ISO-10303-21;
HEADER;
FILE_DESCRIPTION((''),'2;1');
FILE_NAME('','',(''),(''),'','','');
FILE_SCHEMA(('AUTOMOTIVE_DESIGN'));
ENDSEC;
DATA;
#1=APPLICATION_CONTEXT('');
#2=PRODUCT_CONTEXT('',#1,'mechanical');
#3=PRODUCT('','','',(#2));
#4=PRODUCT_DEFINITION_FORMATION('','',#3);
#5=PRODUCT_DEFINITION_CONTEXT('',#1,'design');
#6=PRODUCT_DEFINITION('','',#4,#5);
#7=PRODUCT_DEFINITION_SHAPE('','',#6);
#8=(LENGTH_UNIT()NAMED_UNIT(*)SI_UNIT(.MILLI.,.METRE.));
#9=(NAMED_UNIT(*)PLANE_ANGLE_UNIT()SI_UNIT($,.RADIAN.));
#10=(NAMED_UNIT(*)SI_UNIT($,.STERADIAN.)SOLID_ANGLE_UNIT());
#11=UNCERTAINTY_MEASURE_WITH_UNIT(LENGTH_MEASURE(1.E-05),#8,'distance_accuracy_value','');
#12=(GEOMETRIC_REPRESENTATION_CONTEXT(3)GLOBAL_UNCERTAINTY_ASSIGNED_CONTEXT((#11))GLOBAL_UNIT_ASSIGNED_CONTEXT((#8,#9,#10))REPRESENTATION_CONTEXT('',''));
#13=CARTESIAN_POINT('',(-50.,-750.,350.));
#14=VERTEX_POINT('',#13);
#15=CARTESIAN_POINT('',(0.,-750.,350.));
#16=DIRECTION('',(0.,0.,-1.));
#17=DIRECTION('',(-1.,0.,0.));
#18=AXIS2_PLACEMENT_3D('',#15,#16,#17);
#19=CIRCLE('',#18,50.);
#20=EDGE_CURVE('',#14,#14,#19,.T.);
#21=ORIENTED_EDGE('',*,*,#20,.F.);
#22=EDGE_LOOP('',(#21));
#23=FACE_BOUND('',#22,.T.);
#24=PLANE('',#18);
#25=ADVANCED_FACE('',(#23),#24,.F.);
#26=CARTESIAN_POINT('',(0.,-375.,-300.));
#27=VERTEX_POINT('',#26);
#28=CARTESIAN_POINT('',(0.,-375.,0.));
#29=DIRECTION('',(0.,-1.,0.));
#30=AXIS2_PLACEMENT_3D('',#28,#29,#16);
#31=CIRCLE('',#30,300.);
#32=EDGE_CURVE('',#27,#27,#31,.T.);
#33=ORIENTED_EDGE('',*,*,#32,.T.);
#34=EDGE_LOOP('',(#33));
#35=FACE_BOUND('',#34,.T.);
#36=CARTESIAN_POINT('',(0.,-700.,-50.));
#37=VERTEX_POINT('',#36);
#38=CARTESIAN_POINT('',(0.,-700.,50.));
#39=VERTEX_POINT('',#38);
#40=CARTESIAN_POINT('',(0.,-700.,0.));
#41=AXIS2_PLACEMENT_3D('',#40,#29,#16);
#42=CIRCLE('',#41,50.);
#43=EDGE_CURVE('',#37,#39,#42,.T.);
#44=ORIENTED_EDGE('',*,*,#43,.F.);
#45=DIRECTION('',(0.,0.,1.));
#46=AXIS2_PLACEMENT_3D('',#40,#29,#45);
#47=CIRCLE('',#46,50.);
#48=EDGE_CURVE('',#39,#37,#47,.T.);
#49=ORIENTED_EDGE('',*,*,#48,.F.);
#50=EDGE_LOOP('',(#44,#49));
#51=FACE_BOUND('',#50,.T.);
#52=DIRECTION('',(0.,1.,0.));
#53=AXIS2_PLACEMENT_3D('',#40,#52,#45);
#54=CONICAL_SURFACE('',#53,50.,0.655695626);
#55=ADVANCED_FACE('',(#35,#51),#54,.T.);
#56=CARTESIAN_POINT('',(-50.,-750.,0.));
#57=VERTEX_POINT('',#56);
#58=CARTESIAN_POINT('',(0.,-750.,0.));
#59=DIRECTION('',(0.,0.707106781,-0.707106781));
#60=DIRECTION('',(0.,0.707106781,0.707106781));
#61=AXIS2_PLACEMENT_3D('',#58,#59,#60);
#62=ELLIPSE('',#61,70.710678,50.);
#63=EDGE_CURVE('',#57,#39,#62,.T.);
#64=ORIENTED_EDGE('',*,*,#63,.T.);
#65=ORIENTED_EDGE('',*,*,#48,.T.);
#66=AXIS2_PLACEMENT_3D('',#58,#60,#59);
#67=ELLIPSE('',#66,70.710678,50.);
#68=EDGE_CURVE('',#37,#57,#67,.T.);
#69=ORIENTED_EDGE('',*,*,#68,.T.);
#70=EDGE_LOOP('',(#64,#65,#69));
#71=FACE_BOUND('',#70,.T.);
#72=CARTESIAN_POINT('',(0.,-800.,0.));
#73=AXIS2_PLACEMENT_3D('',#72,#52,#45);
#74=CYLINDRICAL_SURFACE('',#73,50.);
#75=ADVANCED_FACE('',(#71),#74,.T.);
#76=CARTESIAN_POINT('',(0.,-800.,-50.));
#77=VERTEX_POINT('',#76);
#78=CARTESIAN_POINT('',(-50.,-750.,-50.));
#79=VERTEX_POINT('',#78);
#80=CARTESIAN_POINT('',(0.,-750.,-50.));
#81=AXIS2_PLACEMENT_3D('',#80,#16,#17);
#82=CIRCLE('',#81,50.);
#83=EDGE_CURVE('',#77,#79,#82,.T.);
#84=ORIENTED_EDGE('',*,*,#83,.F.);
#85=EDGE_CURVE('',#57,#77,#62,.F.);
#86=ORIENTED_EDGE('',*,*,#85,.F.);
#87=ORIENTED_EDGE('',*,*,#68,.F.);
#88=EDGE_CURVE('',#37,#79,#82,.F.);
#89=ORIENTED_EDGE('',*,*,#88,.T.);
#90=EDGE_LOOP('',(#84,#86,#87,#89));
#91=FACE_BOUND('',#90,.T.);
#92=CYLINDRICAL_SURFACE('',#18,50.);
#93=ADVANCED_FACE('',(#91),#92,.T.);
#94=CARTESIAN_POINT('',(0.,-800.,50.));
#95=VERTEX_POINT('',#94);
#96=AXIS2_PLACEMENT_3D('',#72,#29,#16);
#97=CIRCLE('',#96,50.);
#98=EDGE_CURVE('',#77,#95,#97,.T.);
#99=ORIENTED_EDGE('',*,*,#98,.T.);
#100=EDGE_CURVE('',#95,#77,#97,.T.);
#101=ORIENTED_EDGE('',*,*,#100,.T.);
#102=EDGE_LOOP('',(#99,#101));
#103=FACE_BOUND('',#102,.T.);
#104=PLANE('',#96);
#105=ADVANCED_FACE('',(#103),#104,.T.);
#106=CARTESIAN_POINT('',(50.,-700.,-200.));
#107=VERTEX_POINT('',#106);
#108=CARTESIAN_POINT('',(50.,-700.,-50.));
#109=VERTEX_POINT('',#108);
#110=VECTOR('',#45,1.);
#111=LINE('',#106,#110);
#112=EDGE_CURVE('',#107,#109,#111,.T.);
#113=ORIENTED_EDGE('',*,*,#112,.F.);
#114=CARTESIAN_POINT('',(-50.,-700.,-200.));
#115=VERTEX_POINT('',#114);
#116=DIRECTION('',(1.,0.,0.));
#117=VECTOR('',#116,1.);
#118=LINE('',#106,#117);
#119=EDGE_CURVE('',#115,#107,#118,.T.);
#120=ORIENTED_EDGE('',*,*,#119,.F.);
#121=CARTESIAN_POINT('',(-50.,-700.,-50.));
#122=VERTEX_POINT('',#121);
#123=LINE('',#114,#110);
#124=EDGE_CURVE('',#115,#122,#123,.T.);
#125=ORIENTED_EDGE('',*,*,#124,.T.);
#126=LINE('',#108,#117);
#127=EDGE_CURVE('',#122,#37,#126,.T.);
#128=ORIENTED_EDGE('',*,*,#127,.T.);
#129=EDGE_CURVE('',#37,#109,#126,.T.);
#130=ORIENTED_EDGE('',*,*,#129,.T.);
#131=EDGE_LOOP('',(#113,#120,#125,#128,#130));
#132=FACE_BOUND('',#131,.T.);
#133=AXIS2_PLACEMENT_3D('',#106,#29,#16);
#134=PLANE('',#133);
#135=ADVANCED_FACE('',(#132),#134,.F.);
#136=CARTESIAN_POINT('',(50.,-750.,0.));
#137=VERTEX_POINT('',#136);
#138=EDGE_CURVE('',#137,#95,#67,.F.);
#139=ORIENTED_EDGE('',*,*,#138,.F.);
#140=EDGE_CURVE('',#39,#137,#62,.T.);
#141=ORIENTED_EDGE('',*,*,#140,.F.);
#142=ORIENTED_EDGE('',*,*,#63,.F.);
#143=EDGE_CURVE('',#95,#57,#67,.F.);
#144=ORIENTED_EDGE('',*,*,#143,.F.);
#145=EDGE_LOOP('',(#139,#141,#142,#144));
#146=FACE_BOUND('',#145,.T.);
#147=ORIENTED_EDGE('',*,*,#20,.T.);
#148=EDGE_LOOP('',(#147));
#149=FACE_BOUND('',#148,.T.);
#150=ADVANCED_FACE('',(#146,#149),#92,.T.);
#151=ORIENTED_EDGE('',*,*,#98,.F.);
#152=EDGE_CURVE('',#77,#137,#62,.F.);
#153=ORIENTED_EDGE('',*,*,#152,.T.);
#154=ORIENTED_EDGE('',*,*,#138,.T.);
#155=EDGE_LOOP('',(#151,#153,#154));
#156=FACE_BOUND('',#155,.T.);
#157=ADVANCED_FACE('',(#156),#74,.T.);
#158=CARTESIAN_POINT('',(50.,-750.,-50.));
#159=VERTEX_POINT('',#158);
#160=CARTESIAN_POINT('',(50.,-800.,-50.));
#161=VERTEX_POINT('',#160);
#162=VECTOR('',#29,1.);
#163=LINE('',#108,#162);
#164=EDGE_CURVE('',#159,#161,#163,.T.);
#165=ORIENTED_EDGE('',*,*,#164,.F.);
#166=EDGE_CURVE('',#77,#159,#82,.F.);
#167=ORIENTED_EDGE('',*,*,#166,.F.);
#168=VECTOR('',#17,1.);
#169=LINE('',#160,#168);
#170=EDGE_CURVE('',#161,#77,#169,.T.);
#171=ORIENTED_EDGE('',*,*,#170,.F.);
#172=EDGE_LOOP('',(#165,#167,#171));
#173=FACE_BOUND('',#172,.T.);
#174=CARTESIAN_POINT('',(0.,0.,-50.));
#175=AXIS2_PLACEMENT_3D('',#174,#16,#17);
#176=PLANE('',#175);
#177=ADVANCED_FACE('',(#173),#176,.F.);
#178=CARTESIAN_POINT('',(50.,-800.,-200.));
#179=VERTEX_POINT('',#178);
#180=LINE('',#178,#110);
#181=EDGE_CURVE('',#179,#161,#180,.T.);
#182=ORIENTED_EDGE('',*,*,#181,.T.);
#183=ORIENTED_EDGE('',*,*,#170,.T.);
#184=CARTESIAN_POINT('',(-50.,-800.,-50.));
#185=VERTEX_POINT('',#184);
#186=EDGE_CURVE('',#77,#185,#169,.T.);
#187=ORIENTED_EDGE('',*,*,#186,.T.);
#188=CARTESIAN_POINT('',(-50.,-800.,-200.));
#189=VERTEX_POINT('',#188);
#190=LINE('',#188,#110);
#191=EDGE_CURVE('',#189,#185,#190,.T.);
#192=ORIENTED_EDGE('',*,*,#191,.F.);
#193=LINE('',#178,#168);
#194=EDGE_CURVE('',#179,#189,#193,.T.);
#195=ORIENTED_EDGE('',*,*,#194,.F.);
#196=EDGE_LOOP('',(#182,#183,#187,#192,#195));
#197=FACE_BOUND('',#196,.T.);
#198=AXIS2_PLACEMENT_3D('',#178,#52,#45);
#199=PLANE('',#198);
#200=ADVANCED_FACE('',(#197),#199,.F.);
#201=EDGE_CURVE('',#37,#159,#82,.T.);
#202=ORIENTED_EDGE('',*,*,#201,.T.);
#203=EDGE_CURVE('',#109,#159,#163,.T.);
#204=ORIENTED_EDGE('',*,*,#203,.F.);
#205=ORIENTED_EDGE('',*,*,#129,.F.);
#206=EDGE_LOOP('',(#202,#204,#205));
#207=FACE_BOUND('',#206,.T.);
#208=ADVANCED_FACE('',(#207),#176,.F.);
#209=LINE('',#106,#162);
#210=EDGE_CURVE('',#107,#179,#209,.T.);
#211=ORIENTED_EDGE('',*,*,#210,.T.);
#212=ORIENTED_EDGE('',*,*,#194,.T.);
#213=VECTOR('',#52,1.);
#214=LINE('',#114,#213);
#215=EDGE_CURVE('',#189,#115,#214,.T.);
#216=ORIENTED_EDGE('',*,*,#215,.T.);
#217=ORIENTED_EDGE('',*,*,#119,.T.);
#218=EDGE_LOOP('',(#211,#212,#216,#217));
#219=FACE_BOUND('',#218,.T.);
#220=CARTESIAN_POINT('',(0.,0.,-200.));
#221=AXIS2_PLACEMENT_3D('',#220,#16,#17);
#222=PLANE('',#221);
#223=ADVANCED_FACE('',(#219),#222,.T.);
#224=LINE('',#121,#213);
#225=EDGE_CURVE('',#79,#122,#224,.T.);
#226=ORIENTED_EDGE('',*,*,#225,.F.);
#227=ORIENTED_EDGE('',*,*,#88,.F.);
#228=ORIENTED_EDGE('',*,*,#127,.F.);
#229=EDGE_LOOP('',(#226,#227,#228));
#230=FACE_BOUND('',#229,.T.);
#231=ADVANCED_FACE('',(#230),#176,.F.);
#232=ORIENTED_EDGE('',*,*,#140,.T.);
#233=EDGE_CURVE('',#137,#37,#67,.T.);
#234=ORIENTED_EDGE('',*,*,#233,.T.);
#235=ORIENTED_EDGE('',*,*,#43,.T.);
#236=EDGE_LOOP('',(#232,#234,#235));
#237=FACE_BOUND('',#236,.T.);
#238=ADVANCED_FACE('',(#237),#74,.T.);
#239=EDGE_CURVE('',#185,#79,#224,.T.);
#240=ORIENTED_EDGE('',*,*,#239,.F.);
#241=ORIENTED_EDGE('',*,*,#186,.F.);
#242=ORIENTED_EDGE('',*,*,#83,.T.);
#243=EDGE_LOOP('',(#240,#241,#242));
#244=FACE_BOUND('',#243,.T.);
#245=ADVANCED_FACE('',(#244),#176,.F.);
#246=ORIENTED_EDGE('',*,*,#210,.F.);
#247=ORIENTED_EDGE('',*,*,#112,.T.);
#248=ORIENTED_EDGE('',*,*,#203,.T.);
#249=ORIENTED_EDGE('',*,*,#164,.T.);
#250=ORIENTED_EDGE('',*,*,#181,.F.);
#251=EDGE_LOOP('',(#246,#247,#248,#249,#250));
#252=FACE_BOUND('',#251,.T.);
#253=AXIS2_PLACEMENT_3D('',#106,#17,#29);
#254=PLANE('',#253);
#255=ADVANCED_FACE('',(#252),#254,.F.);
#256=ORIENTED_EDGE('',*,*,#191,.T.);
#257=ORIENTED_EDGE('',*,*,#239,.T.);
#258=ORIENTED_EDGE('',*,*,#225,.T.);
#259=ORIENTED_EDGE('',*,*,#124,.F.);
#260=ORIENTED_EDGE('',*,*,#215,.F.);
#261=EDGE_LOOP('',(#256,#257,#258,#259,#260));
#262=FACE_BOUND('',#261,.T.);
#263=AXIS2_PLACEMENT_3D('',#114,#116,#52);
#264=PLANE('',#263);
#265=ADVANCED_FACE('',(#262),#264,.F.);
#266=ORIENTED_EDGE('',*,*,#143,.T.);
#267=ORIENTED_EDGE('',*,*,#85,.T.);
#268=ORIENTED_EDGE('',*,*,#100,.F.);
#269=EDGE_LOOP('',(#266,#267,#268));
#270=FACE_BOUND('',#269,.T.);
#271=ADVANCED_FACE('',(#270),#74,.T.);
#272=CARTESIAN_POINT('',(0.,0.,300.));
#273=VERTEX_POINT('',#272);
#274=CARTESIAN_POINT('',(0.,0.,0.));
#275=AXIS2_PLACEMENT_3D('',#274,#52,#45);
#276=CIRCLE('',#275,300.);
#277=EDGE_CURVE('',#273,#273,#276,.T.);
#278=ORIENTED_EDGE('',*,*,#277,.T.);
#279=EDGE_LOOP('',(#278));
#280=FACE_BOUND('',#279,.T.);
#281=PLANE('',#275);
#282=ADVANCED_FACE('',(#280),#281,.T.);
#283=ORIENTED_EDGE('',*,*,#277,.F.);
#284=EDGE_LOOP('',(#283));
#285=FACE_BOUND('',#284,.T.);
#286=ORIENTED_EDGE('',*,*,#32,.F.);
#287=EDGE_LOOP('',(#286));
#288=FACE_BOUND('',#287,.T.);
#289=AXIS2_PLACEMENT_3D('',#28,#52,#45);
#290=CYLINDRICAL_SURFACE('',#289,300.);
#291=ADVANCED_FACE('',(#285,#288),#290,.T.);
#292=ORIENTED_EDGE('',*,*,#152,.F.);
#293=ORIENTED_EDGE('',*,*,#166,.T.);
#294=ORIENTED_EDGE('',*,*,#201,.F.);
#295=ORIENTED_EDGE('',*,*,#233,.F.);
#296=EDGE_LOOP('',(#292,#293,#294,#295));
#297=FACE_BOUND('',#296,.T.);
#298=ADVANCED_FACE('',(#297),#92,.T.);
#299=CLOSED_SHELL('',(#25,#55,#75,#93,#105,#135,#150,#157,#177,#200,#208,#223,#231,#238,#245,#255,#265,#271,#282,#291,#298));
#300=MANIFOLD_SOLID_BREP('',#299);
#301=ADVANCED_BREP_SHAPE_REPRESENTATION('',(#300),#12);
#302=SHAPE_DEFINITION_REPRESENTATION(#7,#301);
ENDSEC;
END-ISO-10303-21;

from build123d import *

# Parameters (mm, degrees)
CROQUIS1_R              = 300
SALIENTE_EXTRUIR1_DEPTH = 375
CROQUIS3_R              = 50
CROQUIS2_R              = 300
CROQUIS4_R              = 50
SALIENTE_EXTRUIR2_DEPTH = 100
CROQUIS5_R              = 50
SALIENTE_EXTRUIR3_DEPTH = 400
CROQUIS6_W              = 100
CROQUIS6_H              = 100
SALIENTE_EXTRUIR4_DEPTH = 150


with BuildPart() as part:
    # Croquis1 → Saliente-Extruir1 (new body)
    with BuildSketch(Plane(origin=(0, 0, 0), x_dir=(1, 0, 0), z_dir=(0, 1, 0))):
        with Locations(Location((0, 0, 0), (0, 0, 270))):
            Circle(CROQUIS1_R)
    extrude(amount=-SALIENTE_EXTRUIR1_DEPTH)

    # Croquis3 → Recubrir1 section 0
    with BuildSketch(Plane(origin=(0, -700, 0), x_dir=(1, 0, 0), z_dir=(0, 1, 0))):
        Circle(CROQUIS3_R)
    # Croquis2 → Recubrir1 section 1
    with BuildSketch(Plane.XZ.offset(375)):
        Circle(CROQUIS2_R)
    loft()

    # Croquis4 → Saliente-Extruir2 (add)
    with BuildSketch(Plane.XZ.offset(700)):
        with Locations(Location((0, 0, 0), (0, 0, 270))):
            Circle(CROQUIS4_R)
    extrude(amount=SALIENTE_EXTRUIR2_DEPTH)

    # Croquis5 → Saliente-Extruir3 (add)
    with BuildSketch(Plane(origin=(0, 0, -50), x_dir=(-1, 0, 0), z_dir=(0, 0, -1))):
        with Locations((0, -750)):
            Circle(CROQUIS5_R)
    extrude(amount=-SALIENTE_EXTRUIR3_DEPTH)

    # Croquis6 → Saliente-Extruir4 (add)
    with BuildSketch(Plane(origin=(0, 0, -50), x_dir=(-1, 0, 0), z_dir=(0, 0, -1))):
        with Locations((0, -750)):
            Rectangle(CROQUIS6_W, CROQUIS6_H)
    extrude(amount=SALIENTE_EXTRUIR4_DEPTH)


solid = part.part
